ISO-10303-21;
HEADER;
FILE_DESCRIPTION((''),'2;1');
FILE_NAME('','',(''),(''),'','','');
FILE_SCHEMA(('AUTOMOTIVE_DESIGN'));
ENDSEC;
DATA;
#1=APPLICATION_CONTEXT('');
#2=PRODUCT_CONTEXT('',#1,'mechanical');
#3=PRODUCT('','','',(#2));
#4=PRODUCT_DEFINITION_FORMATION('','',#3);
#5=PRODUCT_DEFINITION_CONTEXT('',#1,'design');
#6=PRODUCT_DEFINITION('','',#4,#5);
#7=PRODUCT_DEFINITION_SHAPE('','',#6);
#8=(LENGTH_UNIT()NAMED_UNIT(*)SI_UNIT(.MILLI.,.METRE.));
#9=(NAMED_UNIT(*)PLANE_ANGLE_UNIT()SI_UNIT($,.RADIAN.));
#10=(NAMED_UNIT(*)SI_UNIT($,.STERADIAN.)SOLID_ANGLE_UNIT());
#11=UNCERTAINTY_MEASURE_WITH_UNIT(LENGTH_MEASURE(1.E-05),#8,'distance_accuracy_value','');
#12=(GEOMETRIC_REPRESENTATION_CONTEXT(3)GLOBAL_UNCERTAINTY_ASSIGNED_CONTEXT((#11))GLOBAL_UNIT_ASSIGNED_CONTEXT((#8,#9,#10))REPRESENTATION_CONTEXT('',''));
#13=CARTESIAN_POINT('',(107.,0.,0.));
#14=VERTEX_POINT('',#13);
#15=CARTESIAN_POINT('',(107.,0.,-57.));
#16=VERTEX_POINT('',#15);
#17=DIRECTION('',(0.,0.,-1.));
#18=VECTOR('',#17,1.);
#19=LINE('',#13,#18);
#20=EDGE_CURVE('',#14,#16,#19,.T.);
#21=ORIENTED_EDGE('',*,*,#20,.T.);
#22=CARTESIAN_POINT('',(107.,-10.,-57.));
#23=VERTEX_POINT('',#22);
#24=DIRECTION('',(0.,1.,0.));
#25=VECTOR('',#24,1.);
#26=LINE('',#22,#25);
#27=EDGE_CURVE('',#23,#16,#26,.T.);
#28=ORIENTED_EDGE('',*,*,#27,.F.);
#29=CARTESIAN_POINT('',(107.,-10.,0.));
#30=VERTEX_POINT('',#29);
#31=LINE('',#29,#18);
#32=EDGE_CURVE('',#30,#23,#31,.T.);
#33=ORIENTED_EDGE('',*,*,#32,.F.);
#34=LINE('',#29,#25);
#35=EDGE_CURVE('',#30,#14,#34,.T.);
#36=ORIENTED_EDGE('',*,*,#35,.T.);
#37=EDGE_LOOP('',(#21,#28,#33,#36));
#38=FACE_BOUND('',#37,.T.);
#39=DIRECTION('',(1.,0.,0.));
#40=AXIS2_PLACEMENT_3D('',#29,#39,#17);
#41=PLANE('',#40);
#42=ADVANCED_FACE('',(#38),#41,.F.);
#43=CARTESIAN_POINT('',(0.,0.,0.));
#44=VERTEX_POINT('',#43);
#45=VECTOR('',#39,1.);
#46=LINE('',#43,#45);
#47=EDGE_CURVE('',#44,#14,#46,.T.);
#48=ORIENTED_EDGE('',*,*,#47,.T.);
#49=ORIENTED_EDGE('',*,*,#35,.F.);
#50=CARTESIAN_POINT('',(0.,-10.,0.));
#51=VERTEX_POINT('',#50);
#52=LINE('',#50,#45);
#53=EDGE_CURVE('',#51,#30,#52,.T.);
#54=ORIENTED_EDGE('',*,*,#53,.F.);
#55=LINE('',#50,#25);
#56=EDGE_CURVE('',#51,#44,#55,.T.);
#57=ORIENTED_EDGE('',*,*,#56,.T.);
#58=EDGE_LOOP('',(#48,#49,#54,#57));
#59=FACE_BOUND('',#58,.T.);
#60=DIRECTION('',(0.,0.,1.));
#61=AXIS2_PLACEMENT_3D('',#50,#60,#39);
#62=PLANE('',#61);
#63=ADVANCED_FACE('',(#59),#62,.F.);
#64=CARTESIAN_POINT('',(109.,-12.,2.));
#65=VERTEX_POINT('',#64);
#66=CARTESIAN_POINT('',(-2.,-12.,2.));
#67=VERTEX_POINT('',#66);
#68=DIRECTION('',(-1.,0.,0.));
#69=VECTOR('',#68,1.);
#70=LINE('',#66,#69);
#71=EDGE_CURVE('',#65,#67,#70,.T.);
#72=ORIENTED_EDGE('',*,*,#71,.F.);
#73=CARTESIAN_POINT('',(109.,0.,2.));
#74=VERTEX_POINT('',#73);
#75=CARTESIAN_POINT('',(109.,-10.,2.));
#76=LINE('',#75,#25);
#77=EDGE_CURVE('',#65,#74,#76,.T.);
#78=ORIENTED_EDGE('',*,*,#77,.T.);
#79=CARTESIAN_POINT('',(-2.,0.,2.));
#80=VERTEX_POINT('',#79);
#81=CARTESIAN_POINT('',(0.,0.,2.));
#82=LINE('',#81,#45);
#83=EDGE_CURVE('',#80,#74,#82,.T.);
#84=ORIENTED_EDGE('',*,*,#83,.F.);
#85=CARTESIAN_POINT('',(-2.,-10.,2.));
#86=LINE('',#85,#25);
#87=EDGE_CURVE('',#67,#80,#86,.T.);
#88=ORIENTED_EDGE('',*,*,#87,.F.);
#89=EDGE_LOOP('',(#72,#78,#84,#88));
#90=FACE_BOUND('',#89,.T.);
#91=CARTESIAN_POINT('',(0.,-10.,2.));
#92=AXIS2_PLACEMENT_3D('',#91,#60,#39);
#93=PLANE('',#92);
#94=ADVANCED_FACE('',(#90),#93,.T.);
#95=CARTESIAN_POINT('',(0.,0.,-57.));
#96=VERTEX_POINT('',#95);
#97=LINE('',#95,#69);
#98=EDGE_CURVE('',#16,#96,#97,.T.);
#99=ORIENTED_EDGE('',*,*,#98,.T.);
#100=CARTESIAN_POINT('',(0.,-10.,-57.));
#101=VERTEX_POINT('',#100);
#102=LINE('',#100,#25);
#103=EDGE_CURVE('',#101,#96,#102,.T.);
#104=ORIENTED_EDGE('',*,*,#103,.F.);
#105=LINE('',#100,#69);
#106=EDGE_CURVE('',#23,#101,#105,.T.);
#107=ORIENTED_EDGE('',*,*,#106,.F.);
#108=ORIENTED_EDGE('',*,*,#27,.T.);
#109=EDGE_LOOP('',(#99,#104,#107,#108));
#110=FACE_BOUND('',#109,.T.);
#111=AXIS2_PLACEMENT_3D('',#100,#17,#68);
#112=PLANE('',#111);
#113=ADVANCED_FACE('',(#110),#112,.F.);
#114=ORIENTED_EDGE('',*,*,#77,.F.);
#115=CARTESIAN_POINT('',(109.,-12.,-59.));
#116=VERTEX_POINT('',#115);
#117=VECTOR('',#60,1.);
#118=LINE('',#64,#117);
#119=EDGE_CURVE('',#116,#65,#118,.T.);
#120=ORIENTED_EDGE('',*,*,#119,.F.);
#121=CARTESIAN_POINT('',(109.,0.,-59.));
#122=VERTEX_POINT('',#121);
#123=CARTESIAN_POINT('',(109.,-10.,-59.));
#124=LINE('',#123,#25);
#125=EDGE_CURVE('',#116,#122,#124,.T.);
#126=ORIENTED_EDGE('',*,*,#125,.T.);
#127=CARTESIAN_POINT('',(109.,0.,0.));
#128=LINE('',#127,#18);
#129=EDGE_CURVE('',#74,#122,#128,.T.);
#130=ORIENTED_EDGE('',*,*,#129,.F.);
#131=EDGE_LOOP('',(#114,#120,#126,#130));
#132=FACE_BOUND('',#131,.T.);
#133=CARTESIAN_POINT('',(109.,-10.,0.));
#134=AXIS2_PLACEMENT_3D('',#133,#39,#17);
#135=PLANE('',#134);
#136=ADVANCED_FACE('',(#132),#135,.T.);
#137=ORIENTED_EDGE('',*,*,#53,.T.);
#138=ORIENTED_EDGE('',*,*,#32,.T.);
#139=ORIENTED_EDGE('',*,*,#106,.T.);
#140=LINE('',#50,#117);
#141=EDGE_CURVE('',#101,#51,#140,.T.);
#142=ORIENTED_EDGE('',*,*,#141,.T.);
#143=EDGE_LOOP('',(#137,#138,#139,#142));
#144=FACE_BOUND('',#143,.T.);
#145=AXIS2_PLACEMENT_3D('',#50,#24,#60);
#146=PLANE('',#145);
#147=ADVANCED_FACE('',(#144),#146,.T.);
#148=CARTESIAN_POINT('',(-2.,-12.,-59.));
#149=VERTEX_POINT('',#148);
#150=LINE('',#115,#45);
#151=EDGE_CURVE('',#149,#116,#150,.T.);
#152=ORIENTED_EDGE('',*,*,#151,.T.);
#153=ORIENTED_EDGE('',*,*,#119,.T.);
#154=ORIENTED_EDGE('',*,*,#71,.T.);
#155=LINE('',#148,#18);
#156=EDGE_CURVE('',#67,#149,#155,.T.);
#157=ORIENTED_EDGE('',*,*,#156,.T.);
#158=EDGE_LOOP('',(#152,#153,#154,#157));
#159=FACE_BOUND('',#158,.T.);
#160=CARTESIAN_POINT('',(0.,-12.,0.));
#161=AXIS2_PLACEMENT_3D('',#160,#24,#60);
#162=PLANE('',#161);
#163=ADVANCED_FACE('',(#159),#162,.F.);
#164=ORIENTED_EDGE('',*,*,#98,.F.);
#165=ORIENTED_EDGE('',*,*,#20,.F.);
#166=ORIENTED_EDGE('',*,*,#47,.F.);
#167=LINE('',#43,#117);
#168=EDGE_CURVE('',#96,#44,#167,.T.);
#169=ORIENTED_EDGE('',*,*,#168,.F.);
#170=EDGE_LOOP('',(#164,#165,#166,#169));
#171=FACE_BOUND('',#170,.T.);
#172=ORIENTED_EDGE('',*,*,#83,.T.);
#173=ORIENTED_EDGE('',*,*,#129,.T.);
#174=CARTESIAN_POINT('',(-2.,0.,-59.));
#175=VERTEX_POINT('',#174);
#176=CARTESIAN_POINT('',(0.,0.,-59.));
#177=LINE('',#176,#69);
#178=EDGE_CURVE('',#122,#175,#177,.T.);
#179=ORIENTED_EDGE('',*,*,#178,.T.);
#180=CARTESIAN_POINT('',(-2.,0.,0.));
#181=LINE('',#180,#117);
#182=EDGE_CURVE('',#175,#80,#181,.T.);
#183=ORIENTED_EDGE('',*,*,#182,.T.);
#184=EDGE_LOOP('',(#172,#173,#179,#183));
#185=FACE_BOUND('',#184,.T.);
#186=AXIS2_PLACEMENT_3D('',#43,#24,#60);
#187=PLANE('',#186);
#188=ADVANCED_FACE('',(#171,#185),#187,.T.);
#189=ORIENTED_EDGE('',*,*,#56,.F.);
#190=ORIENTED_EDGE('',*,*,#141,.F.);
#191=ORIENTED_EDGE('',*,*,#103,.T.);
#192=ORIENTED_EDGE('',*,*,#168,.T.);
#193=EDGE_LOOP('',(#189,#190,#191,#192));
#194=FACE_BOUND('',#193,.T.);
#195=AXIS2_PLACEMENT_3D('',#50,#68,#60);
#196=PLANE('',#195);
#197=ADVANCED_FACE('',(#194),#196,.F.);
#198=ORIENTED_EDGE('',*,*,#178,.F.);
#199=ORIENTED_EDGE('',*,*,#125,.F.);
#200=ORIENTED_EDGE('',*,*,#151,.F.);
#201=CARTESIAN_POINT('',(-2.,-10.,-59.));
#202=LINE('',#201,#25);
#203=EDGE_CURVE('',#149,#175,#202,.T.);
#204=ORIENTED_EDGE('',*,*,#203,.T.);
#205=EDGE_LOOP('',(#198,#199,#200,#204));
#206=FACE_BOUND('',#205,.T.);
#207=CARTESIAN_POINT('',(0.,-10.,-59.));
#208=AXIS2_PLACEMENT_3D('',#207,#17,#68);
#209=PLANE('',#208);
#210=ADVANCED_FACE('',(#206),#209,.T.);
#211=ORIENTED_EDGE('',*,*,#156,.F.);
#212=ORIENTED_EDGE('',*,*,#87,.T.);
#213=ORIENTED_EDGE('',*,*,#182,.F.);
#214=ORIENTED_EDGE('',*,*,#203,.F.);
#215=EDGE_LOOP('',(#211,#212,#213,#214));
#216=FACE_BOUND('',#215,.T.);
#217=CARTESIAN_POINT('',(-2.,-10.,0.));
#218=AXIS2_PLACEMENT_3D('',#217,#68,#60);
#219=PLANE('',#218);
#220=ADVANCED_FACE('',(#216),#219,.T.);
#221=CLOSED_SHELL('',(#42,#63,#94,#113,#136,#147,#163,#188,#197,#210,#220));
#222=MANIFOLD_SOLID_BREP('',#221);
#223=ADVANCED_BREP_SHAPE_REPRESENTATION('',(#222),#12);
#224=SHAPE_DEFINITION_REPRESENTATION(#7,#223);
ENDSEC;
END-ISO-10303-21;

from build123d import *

# Parameters (mm, degrees)
SKETCH_1_W        = 111
SKETCH_1_H        = 61
SKETCH_1_W_2      = 107
SKETCH_1_H_2      = 57
EXTRUDE_1_DEPTH   = 10
SKETCH_3_W        = 111
SKETCH_3_H        = 61
EXTRUDE_1_2_DEPTH = 2


with BuildPart() as part:
    # 草圖1 → Extrude 1 (new body)
    with BuildSketch(Plane(origin=(0, 0, 0), x_dir=(1, 0, 0), z_dir=(0, 1, 0))):
        with Locations((53.5, 28.5)):
            Rectangle(SKETCH_1_W, SKETCH_1_H)
        with Locations((53.5, 28.5)):
            Rectangle(SKETCH_1_W_2, SKETCH_1_H_2, mode=Mode.SUBTRACT)
    extrude(amount=-EXTRUDE_1_DEPTH)

    # 草圖3 → Extrude 1 2 (add)
    with BuildSketch(Plane(origin=(0, -10, 0), x_dir=(-1, 0, 0), z_dir=(0, -1, 0))):
        with Locations((-53.5, 28.5)):
            Rectangle(SKETCH_3_W, SKETCH_3_H)
    extrude(amount=EXTRUDE_1_2_DEPTH)


solid = part.part
